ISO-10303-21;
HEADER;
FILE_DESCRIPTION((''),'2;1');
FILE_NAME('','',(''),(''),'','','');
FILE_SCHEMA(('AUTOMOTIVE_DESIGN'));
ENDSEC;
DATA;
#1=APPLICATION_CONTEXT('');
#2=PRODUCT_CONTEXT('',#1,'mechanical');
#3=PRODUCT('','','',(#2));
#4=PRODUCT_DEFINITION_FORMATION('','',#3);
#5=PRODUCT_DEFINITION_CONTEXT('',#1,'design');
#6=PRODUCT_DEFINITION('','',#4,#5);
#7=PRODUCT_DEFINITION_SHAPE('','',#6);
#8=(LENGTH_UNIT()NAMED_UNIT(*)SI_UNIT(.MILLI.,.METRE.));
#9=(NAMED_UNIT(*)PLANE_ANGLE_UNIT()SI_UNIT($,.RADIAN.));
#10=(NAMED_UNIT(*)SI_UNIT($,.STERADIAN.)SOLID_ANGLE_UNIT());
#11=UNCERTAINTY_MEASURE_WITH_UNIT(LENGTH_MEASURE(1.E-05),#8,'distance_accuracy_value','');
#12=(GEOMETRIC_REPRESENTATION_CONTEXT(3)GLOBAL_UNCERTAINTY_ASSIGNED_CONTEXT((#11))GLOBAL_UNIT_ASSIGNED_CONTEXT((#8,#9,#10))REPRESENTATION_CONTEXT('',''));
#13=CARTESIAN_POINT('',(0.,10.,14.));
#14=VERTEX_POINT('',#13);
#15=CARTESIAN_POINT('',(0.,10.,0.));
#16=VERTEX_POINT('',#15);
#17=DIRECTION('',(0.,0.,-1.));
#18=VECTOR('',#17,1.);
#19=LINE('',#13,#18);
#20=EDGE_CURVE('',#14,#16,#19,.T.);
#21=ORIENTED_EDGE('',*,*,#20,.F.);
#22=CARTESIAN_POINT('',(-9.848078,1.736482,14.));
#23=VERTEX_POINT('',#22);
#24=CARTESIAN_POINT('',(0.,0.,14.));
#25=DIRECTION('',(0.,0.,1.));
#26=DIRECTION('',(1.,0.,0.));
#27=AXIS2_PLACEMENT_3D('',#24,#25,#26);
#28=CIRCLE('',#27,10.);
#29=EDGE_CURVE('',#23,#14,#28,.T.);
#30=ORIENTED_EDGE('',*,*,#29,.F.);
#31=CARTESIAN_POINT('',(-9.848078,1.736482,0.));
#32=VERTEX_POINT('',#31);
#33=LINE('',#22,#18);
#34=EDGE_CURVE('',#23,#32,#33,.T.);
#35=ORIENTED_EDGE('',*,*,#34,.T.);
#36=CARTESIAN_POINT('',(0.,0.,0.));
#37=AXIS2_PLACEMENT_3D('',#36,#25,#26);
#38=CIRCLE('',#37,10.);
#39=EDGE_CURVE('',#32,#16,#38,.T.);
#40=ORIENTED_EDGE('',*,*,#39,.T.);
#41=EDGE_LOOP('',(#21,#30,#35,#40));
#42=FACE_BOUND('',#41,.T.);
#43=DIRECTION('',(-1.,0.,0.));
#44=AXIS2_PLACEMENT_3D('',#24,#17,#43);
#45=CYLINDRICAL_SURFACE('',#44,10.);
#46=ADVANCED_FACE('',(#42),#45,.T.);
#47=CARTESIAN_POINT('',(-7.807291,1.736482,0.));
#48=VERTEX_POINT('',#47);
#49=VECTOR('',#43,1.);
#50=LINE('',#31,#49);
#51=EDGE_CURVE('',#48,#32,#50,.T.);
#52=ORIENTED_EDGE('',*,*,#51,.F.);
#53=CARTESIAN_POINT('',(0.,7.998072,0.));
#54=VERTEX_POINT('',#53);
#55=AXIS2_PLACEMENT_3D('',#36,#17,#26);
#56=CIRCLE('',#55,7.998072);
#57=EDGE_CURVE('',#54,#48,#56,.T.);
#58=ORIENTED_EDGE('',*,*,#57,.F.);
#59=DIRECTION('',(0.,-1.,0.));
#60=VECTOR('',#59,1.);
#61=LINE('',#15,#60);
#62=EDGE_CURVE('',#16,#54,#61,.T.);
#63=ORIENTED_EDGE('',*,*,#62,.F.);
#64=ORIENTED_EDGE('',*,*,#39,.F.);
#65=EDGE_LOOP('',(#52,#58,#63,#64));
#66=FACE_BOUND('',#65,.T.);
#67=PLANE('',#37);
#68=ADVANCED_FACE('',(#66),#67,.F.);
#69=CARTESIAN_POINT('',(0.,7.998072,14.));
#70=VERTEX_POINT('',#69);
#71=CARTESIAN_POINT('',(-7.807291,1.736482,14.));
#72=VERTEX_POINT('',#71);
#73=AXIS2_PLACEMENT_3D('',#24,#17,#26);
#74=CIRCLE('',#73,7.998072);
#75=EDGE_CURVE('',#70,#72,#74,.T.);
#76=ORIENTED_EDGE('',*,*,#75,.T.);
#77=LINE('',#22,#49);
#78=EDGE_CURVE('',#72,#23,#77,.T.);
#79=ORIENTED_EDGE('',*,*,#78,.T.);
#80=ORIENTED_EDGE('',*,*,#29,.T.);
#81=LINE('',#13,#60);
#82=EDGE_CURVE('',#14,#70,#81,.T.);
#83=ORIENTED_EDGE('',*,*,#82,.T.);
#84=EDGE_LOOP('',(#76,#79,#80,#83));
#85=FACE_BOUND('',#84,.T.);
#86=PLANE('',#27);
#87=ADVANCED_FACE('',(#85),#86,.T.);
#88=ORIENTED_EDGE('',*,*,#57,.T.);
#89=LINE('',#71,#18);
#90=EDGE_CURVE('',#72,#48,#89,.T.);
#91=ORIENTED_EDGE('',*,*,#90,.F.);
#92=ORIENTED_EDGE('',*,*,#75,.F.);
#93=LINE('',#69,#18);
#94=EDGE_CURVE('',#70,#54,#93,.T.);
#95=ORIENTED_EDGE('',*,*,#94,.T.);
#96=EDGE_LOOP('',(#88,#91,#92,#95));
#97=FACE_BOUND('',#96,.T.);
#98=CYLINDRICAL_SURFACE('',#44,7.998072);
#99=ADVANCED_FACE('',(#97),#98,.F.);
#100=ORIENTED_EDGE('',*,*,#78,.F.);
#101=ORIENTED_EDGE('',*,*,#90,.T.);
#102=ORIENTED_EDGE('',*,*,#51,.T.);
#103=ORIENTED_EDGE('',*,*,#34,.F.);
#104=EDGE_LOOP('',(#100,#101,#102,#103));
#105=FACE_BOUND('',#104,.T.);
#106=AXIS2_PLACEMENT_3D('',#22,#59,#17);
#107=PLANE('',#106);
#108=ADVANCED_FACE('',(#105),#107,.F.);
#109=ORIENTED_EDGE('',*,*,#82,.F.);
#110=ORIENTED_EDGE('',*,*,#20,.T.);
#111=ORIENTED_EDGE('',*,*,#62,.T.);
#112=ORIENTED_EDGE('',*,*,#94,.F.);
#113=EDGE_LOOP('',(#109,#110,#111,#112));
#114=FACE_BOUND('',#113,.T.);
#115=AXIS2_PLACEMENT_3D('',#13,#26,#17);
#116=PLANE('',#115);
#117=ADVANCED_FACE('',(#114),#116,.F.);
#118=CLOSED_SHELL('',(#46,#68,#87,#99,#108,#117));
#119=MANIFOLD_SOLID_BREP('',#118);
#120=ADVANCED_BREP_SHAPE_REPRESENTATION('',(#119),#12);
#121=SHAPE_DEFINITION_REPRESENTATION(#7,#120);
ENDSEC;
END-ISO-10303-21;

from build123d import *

# Parameters (mm, degrees)
BOSS_EXTRUDE1_DEPTH = 14


with BuildPart() as part:
    # Sketch1 → Boss-Extrude1 (new body)
    with BuildSketch(Plane.XY):
        with BuildLine():
            Line((0, 10), (0, 7.998072429))
            ThreePointArc((0, 7.998072429), (5.004031153, -6.239297621), (-7.807291055, 1.736481777))
            Line((-7.807291055, 1.736481777), (-9.84807753, 1.736481777))
            ThreePointArc((-9.84807753, 1.736481777), (6.427876097, -7.660444431), (0, 10))
        make_face()
    extrude(amount=BOSS_EXTRUDE1_DEPTH)


solid = part.part
